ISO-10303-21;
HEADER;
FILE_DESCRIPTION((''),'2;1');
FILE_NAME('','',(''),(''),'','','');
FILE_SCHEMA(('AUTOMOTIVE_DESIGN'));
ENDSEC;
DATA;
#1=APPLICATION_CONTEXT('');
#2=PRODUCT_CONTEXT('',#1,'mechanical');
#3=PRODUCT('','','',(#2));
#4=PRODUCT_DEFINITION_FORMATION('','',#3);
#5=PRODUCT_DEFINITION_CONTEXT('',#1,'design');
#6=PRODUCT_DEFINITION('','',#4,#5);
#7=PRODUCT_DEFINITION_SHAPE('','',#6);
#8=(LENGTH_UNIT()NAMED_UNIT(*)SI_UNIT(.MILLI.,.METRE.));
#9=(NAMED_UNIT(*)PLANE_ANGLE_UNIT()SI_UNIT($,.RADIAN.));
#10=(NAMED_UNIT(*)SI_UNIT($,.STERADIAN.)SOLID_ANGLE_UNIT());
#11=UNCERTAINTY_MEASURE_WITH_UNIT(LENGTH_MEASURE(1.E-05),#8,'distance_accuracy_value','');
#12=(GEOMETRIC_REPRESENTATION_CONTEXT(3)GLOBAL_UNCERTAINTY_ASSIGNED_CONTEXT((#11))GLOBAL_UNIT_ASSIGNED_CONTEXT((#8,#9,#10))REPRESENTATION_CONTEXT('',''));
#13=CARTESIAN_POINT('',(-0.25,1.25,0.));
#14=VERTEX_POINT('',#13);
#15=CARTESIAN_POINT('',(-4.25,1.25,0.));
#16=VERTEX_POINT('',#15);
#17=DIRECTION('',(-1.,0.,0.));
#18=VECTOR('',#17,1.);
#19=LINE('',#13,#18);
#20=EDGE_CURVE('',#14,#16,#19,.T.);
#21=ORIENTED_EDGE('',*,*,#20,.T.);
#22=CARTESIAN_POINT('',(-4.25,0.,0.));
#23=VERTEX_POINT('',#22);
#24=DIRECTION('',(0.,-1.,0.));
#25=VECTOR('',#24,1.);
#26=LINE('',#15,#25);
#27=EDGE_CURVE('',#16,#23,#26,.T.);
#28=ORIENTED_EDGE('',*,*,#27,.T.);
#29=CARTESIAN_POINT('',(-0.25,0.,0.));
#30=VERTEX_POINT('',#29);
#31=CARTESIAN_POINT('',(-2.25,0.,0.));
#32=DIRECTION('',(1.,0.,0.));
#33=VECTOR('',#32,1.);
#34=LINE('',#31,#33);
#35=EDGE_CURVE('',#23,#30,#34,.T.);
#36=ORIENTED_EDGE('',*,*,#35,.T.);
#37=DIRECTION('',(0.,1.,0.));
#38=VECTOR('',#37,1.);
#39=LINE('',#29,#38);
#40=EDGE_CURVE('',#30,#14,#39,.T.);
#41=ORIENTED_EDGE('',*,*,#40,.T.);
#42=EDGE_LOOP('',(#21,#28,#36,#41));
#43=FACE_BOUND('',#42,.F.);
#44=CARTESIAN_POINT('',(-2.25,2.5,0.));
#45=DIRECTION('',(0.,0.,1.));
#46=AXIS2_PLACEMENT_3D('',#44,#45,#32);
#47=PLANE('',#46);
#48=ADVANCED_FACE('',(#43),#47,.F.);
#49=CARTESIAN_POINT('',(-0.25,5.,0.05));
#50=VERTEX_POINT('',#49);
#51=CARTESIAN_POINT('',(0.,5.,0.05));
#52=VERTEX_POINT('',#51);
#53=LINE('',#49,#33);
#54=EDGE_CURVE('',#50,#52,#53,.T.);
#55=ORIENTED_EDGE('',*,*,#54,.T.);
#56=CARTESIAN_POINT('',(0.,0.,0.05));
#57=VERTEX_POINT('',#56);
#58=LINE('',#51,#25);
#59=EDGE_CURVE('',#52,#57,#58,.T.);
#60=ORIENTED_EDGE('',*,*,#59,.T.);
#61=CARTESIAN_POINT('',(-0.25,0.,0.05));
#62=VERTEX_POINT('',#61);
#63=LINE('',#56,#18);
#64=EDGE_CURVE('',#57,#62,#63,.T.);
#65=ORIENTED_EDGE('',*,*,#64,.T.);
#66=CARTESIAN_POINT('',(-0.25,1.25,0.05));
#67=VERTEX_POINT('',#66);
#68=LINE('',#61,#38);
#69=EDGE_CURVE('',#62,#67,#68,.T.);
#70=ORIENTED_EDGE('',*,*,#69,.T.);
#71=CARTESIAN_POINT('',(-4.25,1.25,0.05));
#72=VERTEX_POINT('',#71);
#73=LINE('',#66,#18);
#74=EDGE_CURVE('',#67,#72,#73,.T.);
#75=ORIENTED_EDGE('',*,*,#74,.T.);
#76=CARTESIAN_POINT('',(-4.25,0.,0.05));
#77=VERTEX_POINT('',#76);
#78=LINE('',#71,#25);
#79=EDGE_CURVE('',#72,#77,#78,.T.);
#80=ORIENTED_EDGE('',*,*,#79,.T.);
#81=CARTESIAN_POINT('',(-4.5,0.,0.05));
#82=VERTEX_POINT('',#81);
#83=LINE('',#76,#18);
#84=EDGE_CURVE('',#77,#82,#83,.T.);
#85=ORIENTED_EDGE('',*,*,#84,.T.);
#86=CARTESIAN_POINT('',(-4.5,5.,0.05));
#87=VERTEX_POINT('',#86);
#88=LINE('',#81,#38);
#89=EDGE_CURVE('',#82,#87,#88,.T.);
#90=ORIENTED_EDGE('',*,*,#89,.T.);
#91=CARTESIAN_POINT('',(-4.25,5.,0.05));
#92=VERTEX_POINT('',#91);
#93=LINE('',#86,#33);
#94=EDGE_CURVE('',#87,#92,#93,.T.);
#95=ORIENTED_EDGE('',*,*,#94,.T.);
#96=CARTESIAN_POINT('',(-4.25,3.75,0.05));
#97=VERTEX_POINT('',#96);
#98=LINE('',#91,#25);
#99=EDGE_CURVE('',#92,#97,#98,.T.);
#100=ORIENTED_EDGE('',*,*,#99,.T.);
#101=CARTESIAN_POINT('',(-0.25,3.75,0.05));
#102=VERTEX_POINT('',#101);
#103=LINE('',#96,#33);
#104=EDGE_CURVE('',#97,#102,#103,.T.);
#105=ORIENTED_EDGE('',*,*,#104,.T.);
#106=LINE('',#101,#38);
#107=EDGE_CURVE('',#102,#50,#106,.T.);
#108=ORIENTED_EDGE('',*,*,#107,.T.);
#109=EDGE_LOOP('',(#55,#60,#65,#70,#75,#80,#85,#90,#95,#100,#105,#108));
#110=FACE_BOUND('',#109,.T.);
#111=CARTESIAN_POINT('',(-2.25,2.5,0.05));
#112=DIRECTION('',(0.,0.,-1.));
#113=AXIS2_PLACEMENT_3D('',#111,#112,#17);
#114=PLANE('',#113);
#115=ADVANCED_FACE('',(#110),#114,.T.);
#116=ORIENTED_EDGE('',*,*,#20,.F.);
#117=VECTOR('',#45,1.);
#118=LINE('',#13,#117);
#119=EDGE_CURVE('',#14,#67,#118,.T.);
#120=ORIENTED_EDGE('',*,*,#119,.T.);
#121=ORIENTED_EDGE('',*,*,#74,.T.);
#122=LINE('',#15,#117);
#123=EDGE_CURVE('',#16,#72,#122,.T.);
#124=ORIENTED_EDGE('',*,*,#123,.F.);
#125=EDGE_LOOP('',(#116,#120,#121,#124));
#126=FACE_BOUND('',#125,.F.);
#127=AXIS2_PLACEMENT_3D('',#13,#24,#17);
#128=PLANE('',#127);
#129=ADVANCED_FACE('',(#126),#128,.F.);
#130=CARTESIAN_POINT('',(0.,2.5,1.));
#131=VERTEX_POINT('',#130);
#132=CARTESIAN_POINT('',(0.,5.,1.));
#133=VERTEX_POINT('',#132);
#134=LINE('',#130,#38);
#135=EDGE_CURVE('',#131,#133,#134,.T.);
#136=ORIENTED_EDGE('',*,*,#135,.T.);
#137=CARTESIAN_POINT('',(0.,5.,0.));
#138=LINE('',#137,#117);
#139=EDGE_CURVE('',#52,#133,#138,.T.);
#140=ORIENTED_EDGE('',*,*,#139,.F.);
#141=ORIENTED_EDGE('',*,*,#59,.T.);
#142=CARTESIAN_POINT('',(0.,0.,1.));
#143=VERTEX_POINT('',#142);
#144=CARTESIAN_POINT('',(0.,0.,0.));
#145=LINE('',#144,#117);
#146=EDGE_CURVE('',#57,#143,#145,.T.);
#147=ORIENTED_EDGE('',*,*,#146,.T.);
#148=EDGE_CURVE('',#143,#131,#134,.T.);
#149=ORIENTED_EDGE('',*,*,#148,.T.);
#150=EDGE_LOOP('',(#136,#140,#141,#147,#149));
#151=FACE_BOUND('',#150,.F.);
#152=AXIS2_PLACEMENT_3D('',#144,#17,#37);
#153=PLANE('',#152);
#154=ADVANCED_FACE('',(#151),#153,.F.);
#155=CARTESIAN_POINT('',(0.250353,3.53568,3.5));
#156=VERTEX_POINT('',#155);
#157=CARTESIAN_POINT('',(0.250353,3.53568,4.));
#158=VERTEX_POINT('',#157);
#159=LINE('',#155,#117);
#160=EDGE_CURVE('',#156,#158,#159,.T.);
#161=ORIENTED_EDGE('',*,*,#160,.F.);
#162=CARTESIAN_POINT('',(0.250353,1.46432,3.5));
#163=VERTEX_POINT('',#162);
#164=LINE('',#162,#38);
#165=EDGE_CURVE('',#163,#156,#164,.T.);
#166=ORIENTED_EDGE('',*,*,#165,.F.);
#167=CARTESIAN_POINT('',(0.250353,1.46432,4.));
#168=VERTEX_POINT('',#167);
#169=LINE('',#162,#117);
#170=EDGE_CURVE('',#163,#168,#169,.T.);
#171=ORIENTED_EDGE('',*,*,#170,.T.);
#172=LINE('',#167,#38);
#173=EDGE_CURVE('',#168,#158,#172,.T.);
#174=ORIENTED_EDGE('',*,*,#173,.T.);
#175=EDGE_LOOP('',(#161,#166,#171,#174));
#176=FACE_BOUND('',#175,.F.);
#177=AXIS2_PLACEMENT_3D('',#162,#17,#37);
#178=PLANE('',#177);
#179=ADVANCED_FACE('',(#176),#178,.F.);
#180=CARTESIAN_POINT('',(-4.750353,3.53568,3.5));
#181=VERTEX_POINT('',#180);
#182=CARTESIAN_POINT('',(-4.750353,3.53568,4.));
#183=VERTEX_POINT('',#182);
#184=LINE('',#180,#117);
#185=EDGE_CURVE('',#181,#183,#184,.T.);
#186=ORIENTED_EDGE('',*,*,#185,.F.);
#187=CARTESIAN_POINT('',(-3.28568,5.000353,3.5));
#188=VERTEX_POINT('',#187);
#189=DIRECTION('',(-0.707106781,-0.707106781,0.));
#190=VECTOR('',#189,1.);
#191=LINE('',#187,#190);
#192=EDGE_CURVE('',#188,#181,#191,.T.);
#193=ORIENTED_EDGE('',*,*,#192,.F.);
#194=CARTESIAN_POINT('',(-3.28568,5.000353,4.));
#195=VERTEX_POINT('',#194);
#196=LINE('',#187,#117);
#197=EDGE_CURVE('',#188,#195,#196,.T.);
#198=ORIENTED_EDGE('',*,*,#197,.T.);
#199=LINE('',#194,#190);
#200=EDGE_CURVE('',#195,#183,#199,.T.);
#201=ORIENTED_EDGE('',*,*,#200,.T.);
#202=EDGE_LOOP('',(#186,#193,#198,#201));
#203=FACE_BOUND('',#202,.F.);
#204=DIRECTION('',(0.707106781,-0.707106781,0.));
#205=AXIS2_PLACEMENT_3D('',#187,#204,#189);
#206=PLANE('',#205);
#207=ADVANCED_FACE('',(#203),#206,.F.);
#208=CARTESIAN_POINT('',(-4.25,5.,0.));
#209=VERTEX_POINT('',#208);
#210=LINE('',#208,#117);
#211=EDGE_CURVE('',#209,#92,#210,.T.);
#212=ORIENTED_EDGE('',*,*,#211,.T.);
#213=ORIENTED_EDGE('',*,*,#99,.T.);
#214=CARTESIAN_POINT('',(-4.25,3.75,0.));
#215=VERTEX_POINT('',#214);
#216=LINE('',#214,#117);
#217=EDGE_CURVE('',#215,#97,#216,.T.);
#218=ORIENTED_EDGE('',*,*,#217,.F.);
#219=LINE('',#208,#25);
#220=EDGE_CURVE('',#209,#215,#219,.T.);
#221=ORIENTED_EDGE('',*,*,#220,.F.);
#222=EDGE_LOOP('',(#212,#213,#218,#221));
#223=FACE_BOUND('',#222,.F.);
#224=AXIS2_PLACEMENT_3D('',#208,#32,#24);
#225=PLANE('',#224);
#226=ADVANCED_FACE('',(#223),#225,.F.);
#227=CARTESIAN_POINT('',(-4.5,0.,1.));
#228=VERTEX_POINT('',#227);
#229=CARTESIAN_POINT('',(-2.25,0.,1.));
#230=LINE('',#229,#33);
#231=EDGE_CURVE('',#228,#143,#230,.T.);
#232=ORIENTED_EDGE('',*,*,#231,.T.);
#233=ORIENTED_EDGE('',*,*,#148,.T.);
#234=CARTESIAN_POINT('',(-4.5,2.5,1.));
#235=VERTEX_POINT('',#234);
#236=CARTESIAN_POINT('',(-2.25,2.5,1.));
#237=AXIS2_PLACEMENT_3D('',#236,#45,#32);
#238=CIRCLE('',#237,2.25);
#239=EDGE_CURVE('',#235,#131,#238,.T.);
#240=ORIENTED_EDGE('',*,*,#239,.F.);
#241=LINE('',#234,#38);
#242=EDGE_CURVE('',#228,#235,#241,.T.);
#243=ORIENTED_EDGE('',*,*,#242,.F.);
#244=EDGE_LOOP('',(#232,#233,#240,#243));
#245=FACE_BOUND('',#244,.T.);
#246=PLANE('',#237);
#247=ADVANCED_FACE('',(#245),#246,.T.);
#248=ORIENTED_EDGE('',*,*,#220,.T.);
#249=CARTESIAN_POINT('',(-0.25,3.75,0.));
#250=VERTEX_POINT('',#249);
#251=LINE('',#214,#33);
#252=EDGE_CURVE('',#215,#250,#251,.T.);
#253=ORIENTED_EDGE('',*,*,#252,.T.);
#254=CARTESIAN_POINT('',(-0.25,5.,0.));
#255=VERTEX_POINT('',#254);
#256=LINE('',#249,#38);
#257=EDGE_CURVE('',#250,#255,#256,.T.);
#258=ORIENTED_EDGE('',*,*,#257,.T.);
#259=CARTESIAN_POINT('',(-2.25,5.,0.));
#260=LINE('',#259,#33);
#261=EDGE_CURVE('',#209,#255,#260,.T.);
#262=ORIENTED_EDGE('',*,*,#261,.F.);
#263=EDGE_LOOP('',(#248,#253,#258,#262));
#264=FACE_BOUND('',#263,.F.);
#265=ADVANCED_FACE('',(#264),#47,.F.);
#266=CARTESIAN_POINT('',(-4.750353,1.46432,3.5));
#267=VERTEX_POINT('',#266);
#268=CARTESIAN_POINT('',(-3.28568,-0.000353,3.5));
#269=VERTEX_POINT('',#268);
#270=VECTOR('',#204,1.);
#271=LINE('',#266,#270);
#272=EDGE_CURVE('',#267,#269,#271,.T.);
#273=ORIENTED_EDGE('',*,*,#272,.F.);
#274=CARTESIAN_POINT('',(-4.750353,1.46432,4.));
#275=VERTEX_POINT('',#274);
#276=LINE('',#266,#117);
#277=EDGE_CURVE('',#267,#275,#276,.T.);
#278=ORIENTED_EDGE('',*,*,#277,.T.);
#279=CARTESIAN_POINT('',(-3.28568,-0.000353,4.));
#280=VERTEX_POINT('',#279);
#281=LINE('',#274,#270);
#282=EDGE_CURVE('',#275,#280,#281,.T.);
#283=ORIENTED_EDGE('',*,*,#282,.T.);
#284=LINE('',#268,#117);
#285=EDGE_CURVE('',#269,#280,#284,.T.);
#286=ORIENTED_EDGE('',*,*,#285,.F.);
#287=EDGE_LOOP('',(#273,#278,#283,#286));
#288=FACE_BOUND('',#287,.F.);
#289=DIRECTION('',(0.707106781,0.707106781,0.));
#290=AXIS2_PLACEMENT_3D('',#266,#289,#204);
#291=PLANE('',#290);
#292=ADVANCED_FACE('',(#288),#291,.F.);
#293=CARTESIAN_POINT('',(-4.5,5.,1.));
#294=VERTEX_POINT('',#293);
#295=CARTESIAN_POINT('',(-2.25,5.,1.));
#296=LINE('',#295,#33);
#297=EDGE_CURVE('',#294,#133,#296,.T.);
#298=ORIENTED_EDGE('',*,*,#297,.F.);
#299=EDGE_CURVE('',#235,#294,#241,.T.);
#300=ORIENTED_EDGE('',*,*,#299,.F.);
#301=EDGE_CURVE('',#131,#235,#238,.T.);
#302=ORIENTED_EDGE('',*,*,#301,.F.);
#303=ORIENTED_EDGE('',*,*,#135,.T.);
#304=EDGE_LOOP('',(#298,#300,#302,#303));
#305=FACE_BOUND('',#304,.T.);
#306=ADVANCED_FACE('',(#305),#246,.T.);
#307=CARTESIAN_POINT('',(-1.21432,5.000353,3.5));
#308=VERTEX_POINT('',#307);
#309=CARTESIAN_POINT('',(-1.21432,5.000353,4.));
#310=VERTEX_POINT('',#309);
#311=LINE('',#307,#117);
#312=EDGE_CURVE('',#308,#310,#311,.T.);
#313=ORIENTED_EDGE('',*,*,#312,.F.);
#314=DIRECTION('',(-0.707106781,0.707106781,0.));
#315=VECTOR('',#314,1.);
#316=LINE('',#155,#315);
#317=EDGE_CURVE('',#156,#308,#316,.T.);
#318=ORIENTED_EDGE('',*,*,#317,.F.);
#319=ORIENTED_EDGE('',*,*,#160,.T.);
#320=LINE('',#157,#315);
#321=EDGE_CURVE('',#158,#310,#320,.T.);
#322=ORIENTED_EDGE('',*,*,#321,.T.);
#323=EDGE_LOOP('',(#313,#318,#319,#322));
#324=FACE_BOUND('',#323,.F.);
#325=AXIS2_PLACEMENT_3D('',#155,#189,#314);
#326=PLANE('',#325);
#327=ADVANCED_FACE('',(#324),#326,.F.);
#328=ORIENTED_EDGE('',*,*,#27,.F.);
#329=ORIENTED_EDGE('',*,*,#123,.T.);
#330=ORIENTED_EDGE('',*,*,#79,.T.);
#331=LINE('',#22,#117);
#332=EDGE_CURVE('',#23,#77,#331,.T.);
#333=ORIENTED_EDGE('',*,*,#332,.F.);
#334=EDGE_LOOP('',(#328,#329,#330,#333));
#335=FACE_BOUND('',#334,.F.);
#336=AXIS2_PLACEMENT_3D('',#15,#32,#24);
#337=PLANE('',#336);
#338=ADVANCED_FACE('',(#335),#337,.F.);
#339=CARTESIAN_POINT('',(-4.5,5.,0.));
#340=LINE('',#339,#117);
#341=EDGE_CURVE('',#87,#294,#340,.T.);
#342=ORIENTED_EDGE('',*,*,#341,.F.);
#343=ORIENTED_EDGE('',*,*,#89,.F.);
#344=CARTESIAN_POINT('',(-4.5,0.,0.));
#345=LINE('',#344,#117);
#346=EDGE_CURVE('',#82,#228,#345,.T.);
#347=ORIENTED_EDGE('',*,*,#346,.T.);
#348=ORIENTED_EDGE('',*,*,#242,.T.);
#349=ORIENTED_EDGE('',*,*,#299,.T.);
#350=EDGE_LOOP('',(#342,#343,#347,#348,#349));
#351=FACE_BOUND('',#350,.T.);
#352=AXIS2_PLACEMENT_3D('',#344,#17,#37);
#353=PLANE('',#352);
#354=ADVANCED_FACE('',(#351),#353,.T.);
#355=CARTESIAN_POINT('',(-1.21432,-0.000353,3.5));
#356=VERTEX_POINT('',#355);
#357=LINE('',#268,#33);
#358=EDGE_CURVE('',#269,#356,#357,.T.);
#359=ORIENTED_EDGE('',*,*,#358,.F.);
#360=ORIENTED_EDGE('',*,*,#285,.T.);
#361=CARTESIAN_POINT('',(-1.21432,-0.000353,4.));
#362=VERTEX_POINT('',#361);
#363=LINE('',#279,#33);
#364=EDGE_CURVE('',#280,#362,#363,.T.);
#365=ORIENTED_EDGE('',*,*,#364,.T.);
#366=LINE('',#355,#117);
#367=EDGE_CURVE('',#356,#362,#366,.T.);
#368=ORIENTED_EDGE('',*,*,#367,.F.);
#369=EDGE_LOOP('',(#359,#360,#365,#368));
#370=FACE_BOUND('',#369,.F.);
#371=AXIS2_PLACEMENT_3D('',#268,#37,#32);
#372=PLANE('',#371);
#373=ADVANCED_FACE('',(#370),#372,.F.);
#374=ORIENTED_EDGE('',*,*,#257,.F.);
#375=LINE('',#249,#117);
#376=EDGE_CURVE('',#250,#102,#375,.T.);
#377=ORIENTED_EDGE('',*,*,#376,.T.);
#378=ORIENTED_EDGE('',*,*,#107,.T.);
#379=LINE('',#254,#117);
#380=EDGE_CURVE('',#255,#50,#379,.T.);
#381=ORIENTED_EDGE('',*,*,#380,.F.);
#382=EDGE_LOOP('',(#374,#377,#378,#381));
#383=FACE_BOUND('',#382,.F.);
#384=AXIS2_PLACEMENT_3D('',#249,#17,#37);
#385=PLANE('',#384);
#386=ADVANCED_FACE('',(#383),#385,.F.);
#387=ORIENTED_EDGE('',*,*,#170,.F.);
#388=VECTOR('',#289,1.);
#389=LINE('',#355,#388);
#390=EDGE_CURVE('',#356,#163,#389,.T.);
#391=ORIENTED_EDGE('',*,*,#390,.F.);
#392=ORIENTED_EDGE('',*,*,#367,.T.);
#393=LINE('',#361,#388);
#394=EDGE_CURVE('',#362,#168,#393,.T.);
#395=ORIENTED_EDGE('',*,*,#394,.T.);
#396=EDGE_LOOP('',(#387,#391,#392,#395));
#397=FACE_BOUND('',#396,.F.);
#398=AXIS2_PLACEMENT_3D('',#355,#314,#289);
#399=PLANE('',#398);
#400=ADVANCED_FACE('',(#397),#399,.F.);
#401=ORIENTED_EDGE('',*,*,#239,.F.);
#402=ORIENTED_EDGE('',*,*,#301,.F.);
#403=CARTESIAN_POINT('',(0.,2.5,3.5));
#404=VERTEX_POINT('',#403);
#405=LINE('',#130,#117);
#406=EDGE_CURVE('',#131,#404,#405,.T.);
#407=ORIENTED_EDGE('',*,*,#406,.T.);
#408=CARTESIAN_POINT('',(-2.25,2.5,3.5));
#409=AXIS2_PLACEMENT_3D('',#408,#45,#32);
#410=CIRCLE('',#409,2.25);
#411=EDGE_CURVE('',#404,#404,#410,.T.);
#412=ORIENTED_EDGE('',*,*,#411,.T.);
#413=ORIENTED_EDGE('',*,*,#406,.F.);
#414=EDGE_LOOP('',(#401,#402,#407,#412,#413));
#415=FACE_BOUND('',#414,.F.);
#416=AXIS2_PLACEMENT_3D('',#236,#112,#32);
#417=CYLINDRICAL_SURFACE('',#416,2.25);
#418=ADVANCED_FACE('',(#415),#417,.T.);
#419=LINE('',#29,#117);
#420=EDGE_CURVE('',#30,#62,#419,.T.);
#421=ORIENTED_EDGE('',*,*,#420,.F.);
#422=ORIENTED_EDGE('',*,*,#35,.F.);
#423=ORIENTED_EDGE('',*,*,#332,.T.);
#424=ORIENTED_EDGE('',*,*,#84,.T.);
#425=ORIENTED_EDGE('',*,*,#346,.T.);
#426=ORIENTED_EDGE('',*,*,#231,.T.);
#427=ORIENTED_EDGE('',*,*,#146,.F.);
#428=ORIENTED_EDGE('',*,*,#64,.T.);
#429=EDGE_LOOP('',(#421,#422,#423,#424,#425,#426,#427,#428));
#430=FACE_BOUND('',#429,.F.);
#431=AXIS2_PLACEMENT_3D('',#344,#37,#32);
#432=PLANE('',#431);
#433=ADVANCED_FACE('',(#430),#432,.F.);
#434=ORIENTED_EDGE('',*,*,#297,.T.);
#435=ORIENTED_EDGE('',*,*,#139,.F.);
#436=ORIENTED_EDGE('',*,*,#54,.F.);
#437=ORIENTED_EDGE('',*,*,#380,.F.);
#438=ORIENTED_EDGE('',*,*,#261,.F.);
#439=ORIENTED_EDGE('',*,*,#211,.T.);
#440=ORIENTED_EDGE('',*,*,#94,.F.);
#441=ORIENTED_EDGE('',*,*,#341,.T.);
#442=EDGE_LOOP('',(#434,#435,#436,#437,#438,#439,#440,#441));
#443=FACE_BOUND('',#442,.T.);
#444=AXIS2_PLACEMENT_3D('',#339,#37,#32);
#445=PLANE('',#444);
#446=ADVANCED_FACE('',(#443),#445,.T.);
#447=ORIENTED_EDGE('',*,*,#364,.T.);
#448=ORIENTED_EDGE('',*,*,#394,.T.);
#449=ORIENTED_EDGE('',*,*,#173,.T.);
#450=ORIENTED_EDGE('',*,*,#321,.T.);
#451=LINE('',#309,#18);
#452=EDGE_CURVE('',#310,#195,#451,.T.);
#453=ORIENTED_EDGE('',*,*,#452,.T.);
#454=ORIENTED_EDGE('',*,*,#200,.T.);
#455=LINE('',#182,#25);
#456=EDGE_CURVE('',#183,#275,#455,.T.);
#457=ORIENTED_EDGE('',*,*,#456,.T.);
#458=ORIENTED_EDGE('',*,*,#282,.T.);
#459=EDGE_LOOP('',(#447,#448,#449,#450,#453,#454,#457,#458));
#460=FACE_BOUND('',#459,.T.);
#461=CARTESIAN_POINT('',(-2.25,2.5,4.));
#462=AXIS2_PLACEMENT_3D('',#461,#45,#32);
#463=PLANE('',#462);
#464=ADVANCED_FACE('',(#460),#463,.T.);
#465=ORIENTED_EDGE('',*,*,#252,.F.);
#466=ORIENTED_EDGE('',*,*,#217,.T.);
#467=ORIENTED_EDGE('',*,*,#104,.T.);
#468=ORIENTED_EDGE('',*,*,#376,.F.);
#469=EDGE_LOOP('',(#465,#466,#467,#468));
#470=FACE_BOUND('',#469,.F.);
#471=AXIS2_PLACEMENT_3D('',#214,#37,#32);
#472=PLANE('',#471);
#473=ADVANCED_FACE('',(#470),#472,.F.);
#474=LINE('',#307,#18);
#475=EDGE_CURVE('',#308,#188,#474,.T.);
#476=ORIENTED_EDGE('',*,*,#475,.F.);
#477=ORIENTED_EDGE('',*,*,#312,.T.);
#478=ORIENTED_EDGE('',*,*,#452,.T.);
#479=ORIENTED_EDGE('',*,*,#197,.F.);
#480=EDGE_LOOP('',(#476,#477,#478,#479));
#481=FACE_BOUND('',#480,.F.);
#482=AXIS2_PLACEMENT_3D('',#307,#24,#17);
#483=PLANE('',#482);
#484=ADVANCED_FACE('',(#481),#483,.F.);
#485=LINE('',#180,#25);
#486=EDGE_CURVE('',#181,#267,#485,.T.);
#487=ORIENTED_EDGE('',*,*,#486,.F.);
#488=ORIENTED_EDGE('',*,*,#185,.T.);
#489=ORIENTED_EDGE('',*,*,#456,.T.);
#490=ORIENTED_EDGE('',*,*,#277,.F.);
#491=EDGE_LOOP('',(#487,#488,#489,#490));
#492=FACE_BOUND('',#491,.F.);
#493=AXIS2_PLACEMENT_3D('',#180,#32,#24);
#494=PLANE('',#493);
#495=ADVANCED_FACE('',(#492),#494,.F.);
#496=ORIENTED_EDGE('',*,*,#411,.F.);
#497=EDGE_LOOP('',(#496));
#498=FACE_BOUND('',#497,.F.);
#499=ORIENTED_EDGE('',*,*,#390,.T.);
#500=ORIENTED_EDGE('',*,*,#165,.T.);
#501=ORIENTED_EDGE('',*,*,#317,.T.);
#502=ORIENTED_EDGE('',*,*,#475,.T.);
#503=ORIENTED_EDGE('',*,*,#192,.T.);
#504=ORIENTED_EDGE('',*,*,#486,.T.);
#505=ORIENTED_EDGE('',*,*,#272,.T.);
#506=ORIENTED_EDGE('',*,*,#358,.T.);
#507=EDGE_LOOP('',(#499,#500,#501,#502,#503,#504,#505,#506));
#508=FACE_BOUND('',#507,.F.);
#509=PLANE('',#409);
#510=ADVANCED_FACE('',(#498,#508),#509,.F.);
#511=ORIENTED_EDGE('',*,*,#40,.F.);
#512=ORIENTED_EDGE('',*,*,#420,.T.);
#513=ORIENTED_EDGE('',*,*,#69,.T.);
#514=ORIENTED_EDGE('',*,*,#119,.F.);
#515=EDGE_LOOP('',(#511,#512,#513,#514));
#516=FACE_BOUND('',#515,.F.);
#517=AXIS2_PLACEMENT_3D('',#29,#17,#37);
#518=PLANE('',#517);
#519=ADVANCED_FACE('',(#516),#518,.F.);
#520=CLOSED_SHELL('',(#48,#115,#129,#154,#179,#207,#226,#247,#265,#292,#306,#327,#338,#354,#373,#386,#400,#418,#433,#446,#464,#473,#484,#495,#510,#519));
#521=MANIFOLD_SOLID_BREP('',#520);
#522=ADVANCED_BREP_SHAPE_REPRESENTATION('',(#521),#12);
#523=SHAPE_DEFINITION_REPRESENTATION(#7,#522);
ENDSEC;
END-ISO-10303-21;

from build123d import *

# Parameters (mm, degrees)
SKETCH1_W           = 4.5
SKETCH1_H           = 5
BOSS_EXTRUDE1_DEPTH = 1
SKETCH2_R           = 2.25
BOSS_EXTRUDE2_DEPTH = 2.5
BOSS_EXTRUDE3_DEPTH = 0.5
CUT_EXTRUDE1_DEPTH  = 0.05


with BuildPart() as part:
    # Sketch1 → Boss-Extrude1 (new body)
    with BuildSketch(Plane.XY):
        with Locations((-2.25, 2.5)):
            Rectangle(SKETCH1_W, SKETCH1_H)
    extrude(amount=BOSS_EXTRUDE1_DEPTH)

    # Sketch2 → Boss-Extrude2 (add)
    with BuildSketch(Plane.XY.offset(1)):
        with Locations((-2.25, 2.5)):
            Circle(SKETCH2_R)
    extrude(amount=BOSS_EXTRUDE2_DEPTH)

    # Sketch3 → Boss-Extrude3 (add)
    with BuildSketch(Plane.XY.offset(3.5)):
        Polygon((-1.214319799, 5.000353186), (-3.285680201, 5.000353186), (-4.750353186, 3.535680201), (-4.750353186, 1.464319799), (-3.285680201, -0.000353186), (-1.214319799, -0.000353186), (0.250353186, 1.464319799), (0.250353186, 3.535680201), align=None)
    extrude(amount=BOSS_EXTRUDE3_DEPTH)

    # Sketch5 → Cut-Extrude1 (cut)
    with BuildSketch(Plane(origin=(0, 0, 0), x_dir=(-1, 0, 0), z_dir=(0, 0, -1))):
        Polygon((0.25, 5), (0, 5), (0, 0), (0.25, 0), (0.25, 1.25), (4.25, 1.25), (4.25, 0), (4.5, 0), (4.5, 5), (4.25, 5), (4.25, 3.75), (0.25, 3.75), align=None)
    extrude(amount=-CUT_EXTRUDE1_DEPTH, mode=Mode.SUBTRACT)


solid = part.part
